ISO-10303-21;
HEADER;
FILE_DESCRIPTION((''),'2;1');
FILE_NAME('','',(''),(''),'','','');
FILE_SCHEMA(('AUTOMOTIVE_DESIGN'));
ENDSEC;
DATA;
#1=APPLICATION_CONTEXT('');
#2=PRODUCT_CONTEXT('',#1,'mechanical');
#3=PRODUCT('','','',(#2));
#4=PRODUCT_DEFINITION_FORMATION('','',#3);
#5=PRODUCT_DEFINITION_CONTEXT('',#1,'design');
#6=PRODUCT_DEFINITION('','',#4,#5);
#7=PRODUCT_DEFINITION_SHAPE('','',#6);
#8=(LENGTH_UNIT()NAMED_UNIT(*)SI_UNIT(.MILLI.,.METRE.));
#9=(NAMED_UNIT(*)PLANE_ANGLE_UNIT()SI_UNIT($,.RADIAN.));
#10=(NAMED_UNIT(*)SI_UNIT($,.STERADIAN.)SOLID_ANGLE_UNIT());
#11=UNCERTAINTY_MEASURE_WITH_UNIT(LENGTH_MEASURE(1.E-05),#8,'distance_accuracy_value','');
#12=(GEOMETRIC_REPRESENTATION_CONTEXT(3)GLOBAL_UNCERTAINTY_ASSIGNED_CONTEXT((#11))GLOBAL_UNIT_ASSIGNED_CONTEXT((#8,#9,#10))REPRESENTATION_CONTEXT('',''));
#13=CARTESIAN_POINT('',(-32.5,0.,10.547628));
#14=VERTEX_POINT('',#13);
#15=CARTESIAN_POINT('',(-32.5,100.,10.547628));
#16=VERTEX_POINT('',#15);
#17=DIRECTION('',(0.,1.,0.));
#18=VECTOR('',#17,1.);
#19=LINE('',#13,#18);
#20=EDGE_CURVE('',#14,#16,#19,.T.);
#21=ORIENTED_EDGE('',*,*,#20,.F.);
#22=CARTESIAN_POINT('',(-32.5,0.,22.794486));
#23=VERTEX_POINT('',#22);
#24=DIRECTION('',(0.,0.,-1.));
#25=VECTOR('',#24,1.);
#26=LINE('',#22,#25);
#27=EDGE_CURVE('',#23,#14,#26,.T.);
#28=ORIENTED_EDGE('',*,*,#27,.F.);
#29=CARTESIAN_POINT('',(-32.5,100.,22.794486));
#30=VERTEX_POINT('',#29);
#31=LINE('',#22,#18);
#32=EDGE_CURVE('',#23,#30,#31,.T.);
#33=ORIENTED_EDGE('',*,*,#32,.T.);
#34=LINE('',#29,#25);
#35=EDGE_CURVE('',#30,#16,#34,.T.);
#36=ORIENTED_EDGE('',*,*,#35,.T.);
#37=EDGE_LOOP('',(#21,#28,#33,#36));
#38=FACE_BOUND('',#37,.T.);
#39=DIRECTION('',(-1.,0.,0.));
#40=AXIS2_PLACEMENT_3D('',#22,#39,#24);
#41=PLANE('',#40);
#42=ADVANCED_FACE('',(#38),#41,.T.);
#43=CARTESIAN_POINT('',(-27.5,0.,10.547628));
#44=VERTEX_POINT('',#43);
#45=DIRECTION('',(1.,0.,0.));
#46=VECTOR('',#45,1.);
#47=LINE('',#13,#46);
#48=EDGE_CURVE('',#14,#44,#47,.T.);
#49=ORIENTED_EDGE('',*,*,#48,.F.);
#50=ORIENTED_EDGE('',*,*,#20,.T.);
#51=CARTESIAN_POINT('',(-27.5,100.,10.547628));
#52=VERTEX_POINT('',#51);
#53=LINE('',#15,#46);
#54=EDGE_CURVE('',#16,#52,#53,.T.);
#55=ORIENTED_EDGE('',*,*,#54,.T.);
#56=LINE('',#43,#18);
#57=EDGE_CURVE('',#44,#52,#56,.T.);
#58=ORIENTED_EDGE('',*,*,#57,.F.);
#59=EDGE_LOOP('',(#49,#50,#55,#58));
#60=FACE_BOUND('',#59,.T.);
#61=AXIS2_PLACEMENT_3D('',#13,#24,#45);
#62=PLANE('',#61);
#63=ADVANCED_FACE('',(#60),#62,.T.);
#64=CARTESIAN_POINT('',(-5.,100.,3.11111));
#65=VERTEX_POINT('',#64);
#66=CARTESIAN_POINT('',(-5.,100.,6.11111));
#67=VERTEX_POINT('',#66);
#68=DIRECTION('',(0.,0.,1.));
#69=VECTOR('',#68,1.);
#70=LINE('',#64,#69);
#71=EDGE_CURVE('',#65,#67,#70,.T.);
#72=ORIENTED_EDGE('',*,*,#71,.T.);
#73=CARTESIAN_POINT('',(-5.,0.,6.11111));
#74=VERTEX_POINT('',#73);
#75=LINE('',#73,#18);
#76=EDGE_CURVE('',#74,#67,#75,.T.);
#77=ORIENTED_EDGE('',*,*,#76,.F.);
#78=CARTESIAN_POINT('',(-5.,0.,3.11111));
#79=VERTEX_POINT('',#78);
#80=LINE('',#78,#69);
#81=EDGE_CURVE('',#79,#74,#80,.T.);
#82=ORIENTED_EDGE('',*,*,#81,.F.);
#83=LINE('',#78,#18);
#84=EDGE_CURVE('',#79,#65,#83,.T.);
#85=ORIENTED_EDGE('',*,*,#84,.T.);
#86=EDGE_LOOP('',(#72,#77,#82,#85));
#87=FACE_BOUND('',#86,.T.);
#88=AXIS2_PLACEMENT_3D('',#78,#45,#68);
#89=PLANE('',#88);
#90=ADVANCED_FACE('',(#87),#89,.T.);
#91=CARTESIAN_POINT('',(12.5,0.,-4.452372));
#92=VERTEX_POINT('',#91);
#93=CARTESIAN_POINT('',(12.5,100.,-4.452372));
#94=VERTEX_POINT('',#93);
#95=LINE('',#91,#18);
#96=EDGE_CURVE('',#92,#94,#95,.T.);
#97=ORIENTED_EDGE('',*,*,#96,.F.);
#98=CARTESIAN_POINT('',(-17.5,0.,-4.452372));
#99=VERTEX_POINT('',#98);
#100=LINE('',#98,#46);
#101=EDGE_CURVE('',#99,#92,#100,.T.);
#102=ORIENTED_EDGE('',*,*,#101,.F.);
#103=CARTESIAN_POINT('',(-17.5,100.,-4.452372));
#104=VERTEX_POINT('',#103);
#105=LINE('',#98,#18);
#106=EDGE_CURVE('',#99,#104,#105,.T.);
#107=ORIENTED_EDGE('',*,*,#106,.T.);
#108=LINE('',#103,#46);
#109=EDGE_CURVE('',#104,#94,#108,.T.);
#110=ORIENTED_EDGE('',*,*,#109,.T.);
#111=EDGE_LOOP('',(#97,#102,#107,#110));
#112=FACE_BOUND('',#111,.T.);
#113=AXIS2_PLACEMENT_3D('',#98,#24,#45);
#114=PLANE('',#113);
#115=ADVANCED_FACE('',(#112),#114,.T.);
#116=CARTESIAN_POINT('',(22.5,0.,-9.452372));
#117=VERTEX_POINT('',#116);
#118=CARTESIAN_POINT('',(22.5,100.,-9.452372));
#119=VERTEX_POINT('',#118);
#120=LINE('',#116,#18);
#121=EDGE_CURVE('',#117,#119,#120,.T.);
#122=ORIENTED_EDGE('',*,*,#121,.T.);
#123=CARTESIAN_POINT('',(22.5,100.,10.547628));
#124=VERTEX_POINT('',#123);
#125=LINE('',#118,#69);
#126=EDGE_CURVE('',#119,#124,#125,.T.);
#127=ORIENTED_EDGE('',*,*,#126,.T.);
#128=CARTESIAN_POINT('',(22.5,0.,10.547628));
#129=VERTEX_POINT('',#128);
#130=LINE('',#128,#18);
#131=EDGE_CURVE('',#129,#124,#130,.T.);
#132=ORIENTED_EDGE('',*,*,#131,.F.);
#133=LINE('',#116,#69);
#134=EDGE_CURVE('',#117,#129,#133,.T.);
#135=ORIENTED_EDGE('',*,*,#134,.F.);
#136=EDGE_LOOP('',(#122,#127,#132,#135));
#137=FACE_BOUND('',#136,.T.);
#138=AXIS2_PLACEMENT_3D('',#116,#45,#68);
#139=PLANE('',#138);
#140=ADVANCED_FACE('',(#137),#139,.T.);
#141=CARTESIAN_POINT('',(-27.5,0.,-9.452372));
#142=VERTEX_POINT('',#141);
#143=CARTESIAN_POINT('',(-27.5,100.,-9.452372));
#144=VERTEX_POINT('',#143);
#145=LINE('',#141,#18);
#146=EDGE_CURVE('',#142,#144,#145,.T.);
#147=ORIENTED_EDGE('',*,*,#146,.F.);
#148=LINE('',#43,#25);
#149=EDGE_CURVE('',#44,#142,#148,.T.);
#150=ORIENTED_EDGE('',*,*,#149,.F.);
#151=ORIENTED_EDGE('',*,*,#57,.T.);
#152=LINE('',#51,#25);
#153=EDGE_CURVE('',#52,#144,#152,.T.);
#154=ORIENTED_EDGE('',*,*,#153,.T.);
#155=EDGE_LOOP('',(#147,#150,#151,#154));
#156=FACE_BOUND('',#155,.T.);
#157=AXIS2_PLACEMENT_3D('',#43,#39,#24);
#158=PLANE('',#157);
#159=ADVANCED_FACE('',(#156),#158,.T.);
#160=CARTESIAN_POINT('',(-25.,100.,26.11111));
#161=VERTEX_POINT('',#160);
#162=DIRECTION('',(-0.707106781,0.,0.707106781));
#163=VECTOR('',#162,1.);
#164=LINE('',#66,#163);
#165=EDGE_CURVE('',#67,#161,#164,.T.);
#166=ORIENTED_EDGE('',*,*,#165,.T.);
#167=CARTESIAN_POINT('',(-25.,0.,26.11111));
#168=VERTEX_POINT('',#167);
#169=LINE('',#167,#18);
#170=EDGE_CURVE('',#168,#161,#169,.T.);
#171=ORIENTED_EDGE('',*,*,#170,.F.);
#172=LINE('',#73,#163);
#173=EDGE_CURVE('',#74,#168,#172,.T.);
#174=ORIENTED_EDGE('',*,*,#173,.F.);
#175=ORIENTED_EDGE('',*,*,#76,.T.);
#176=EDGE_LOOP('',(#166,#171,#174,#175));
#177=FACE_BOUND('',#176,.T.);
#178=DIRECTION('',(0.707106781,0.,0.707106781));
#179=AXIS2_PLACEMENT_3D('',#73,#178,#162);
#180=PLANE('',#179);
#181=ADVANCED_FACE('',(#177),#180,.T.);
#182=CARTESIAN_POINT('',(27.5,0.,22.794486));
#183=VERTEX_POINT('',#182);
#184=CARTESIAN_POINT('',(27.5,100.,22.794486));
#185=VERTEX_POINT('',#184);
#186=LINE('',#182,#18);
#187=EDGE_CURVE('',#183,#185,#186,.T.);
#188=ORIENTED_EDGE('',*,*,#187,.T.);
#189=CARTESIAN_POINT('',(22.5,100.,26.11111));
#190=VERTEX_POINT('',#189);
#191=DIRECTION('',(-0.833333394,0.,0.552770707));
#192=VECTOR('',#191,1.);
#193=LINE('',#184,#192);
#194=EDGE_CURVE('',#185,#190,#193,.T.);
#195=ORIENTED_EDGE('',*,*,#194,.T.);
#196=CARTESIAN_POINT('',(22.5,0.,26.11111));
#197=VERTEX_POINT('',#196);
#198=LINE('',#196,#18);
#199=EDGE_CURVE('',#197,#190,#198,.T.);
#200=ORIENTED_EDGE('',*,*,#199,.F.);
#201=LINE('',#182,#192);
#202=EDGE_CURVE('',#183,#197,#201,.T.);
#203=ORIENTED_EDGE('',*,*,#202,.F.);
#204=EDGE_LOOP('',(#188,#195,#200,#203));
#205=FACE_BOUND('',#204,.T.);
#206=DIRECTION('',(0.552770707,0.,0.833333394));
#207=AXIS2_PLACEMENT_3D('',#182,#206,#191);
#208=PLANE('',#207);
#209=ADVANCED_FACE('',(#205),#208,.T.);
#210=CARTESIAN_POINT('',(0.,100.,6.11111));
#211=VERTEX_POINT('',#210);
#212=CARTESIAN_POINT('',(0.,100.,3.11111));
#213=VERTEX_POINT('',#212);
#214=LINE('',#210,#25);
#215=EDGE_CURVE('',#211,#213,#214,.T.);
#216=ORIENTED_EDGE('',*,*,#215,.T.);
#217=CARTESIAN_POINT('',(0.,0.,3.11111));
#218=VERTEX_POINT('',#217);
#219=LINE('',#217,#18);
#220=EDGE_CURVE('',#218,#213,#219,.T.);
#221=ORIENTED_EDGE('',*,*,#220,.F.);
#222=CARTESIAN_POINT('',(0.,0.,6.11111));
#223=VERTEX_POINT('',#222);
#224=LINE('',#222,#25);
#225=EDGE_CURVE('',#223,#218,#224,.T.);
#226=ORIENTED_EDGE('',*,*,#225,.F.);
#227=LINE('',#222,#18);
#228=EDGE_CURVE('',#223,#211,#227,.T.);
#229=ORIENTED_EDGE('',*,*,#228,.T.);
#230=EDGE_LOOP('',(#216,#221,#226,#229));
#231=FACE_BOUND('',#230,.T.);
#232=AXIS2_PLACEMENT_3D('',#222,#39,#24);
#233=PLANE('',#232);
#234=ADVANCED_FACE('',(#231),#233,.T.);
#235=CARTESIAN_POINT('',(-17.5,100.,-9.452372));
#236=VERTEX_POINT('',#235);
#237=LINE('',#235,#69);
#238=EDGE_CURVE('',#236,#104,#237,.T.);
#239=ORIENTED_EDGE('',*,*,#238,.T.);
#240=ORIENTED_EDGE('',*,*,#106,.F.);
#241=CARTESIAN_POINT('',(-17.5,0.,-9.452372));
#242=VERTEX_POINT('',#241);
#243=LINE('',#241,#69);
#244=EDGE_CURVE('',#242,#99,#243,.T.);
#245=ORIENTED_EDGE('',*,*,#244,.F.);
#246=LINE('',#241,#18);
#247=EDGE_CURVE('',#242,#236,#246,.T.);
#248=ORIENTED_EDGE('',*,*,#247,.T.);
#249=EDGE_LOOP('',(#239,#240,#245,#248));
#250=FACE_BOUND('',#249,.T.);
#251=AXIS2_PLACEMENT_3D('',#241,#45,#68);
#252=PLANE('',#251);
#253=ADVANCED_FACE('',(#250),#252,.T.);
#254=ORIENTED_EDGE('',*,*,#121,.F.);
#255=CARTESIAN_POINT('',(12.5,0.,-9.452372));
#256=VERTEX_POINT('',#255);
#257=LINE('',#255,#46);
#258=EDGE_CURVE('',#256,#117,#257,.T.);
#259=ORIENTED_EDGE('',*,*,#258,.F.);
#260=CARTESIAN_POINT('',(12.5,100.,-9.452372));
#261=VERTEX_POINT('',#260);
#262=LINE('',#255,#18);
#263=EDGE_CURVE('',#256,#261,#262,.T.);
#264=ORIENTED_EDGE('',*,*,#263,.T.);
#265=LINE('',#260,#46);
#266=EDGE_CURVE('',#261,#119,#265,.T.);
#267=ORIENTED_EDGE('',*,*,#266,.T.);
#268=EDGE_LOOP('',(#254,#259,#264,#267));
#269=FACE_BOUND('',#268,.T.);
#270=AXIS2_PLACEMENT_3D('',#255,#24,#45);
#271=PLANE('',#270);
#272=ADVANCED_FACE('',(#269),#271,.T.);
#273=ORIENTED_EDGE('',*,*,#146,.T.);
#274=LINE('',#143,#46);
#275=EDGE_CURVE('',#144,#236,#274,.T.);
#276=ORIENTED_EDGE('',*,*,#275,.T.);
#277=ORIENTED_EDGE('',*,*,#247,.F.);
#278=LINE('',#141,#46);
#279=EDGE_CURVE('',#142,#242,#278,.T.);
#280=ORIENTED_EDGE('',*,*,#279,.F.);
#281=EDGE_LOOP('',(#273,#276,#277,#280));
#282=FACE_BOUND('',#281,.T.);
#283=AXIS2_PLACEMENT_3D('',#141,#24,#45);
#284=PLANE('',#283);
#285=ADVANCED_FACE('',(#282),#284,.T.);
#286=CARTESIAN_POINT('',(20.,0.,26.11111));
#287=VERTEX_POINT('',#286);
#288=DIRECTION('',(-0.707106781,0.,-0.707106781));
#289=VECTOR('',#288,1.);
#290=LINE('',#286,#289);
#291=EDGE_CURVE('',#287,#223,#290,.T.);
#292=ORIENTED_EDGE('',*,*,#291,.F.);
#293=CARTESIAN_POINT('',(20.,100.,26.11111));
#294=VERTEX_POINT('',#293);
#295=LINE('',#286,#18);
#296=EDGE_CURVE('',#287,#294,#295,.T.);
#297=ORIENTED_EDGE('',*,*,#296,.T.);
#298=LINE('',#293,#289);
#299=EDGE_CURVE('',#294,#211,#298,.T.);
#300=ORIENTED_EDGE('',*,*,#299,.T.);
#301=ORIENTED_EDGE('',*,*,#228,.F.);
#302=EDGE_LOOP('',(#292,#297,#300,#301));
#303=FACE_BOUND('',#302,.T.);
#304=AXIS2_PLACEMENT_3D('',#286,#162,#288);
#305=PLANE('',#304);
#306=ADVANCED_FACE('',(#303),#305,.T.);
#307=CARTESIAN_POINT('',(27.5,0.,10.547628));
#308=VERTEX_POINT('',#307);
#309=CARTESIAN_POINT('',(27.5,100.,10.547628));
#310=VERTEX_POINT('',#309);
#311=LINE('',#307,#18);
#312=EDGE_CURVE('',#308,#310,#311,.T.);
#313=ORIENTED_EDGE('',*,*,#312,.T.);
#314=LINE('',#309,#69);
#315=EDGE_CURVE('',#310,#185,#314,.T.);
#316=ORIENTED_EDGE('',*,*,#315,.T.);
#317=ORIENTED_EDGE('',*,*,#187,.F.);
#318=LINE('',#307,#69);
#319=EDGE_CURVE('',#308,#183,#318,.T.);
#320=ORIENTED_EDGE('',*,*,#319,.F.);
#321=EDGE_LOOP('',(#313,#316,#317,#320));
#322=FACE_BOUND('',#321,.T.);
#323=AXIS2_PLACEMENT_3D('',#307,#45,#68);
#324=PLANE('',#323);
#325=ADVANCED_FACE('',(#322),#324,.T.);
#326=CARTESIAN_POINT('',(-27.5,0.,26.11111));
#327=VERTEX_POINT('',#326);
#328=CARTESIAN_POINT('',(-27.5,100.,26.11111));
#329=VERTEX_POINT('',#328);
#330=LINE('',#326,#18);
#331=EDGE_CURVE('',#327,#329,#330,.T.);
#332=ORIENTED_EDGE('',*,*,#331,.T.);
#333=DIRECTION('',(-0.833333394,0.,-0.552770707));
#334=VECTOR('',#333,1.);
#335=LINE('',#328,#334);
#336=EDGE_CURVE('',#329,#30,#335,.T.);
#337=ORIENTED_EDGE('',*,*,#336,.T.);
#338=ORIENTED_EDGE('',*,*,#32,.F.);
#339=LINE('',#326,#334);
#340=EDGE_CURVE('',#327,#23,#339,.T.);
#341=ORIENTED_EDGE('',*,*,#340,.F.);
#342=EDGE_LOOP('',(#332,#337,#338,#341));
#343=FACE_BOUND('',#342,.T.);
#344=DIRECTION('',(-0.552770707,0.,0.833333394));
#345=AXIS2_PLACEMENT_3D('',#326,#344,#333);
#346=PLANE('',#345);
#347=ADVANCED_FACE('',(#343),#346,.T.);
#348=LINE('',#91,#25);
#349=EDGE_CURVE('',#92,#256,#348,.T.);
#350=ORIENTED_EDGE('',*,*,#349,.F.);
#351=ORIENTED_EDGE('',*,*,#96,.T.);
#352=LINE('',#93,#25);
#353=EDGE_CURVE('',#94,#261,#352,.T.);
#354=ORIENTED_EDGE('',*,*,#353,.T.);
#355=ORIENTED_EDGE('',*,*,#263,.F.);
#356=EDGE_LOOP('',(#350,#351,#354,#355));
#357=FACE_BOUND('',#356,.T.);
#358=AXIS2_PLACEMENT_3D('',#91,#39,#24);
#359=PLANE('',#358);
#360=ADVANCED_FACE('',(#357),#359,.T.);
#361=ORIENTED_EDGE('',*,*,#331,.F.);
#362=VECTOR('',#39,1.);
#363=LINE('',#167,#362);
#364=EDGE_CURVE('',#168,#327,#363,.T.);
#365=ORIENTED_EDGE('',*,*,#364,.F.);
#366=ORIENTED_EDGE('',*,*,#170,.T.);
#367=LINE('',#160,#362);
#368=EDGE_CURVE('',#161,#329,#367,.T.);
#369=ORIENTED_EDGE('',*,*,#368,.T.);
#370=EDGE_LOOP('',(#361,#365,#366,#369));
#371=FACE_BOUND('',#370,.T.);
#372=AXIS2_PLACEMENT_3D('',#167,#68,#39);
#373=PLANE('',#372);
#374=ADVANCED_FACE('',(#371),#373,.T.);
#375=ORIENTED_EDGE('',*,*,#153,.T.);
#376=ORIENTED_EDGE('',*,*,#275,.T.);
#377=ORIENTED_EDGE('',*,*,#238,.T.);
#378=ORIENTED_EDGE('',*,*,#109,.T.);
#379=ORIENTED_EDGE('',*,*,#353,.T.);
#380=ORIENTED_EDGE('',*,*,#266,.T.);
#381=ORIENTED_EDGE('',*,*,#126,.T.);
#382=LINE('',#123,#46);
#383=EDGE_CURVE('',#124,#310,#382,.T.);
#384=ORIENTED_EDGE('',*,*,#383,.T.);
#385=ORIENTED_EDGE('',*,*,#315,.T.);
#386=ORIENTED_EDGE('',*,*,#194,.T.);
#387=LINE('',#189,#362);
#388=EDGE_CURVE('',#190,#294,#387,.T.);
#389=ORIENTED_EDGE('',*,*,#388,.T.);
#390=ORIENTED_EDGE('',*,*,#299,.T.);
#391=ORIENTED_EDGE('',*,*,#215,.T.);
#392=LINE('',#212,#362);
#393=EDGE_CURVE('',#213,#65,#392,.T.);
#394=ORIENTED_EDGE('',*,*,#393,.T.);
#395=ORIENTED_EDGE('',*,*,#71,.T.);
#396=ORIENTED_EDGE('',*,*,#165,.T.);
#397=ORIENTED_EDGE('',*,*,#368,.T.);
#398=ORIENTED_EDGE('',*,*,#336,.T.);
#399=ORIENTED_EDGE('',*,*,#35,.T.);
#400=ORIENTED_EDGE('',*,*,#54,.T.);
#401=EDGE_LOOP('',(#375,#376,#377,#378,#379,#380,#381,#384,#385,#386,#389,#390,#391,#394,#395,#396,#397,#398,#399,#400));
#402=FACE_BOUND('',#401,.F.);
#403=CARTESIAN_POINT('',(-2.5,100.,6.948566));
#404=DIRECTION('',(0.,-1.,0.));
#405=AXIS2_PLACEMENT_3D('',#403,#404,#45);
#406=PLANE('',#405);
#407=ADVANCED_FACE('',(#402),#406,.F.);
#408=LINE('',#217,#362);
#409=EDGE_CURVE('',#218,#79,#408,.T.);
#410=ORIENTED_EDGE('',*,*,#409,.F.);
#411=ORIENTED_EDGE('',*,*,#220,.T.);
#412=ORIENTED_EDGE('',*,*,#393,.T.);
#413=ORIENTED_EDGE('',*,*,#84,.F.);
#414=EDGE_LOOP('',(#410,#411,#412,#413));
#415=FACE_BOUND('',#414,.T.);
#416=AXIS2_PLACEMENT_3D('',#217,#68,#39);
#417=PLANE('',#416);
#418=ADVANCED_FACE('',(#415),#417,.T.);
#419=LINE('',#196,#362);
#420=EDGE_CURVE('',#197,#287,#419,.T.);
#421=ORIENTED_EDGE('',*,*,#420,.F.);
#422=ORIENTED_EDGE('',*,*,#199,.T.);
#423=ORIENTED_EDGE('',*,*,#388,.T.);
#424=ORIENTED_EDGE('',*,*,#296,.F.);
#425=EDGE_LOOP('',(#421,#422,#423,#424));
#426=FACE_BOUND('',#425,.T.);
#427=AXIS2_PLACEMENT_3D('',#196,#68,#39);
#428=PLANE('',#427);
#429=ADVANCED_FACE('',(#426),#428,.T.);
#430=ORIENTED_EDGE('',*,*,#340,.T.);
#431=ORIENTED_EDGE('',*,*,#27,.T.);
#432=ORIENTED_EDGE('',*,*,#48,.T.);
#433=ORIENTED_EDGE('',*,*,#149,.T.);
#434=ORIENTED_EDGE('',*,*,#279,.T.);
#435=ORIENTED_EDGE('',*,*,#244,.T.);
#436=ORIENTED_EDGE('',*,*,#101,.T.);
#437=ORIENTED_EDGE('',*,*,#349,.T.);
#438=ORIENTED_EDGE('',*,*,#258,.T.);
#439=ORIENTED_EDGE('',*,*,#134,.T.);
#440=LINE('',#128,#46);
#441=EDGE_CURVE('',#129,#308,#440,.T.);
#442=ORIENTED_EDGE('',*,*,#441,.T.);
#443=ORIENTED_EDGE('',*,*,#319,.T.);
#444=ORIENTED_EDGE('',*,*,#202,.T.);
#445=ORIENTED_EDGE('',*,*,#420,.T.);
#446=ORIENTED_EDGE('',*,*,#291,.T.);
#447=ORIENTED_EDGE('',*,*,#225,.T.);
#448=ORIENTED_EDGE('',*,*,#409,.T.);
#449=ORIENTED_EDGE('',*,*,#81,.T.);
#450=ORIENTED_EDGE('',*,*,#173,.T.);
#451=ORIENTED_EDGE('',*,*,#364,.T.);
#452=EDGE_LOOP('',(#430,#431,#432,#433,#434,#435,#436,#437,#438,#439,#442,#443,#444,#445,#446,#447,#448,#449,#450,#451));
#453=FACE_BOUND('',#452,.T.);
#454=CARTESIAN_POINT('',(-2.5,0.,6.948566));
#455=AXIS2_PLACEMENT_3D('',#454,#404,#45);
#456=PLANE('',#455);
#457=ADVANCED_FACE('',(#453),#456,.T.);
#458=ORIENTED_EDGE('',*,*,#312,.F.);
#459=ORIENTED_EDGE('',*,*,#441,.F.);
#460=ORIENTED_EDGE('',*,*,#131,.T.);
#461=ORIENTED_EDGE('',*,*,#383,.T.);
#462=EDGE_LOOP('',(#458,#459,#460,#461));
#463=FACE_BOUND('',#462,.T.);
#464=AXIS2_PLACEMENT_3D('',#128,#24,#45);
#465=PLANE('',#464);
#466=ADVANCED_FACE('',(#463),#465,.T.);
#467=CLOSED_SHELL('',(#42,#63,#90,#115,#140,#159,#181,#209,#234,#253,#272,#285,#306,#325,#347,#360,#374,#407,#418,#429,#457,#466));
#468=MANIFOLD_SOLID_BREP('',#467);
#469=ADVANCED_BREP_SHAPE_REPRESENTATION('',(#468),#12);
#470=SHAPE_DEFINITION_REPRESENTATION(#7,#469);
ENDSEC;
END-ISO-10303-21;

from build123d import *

# Parameters (mm, degrees)
F1_DEPTH = 100


with BuildPart() as f1:
    # F0 (on Front) → F1 (new body)
    with BuildSketch(Plane.XZ):
        Polygon((-5, 3.11111), (-5, 6.11111), (-25, 26.11111), (-27.5, 26.11111), (-32.5, 22.794486), (-32.5, 10.547628), (-27.5, 10.547628), (-27.5, -9.452372), (-17.5, -9.452372), (-17.5, -4.452372), (12.5, -4.452372), (12.5, -9.452372), (22.5, -9.452372), (22.5, 10.547628), (27.5, 10.547628), (27.5, 22.794486), (22.5, 26.11111), (20, 26.11111), (0, 6.11111), (0, 3.11111), align=None)
    extrude(amount=-F1_DEPTH)


solid = f1.part
